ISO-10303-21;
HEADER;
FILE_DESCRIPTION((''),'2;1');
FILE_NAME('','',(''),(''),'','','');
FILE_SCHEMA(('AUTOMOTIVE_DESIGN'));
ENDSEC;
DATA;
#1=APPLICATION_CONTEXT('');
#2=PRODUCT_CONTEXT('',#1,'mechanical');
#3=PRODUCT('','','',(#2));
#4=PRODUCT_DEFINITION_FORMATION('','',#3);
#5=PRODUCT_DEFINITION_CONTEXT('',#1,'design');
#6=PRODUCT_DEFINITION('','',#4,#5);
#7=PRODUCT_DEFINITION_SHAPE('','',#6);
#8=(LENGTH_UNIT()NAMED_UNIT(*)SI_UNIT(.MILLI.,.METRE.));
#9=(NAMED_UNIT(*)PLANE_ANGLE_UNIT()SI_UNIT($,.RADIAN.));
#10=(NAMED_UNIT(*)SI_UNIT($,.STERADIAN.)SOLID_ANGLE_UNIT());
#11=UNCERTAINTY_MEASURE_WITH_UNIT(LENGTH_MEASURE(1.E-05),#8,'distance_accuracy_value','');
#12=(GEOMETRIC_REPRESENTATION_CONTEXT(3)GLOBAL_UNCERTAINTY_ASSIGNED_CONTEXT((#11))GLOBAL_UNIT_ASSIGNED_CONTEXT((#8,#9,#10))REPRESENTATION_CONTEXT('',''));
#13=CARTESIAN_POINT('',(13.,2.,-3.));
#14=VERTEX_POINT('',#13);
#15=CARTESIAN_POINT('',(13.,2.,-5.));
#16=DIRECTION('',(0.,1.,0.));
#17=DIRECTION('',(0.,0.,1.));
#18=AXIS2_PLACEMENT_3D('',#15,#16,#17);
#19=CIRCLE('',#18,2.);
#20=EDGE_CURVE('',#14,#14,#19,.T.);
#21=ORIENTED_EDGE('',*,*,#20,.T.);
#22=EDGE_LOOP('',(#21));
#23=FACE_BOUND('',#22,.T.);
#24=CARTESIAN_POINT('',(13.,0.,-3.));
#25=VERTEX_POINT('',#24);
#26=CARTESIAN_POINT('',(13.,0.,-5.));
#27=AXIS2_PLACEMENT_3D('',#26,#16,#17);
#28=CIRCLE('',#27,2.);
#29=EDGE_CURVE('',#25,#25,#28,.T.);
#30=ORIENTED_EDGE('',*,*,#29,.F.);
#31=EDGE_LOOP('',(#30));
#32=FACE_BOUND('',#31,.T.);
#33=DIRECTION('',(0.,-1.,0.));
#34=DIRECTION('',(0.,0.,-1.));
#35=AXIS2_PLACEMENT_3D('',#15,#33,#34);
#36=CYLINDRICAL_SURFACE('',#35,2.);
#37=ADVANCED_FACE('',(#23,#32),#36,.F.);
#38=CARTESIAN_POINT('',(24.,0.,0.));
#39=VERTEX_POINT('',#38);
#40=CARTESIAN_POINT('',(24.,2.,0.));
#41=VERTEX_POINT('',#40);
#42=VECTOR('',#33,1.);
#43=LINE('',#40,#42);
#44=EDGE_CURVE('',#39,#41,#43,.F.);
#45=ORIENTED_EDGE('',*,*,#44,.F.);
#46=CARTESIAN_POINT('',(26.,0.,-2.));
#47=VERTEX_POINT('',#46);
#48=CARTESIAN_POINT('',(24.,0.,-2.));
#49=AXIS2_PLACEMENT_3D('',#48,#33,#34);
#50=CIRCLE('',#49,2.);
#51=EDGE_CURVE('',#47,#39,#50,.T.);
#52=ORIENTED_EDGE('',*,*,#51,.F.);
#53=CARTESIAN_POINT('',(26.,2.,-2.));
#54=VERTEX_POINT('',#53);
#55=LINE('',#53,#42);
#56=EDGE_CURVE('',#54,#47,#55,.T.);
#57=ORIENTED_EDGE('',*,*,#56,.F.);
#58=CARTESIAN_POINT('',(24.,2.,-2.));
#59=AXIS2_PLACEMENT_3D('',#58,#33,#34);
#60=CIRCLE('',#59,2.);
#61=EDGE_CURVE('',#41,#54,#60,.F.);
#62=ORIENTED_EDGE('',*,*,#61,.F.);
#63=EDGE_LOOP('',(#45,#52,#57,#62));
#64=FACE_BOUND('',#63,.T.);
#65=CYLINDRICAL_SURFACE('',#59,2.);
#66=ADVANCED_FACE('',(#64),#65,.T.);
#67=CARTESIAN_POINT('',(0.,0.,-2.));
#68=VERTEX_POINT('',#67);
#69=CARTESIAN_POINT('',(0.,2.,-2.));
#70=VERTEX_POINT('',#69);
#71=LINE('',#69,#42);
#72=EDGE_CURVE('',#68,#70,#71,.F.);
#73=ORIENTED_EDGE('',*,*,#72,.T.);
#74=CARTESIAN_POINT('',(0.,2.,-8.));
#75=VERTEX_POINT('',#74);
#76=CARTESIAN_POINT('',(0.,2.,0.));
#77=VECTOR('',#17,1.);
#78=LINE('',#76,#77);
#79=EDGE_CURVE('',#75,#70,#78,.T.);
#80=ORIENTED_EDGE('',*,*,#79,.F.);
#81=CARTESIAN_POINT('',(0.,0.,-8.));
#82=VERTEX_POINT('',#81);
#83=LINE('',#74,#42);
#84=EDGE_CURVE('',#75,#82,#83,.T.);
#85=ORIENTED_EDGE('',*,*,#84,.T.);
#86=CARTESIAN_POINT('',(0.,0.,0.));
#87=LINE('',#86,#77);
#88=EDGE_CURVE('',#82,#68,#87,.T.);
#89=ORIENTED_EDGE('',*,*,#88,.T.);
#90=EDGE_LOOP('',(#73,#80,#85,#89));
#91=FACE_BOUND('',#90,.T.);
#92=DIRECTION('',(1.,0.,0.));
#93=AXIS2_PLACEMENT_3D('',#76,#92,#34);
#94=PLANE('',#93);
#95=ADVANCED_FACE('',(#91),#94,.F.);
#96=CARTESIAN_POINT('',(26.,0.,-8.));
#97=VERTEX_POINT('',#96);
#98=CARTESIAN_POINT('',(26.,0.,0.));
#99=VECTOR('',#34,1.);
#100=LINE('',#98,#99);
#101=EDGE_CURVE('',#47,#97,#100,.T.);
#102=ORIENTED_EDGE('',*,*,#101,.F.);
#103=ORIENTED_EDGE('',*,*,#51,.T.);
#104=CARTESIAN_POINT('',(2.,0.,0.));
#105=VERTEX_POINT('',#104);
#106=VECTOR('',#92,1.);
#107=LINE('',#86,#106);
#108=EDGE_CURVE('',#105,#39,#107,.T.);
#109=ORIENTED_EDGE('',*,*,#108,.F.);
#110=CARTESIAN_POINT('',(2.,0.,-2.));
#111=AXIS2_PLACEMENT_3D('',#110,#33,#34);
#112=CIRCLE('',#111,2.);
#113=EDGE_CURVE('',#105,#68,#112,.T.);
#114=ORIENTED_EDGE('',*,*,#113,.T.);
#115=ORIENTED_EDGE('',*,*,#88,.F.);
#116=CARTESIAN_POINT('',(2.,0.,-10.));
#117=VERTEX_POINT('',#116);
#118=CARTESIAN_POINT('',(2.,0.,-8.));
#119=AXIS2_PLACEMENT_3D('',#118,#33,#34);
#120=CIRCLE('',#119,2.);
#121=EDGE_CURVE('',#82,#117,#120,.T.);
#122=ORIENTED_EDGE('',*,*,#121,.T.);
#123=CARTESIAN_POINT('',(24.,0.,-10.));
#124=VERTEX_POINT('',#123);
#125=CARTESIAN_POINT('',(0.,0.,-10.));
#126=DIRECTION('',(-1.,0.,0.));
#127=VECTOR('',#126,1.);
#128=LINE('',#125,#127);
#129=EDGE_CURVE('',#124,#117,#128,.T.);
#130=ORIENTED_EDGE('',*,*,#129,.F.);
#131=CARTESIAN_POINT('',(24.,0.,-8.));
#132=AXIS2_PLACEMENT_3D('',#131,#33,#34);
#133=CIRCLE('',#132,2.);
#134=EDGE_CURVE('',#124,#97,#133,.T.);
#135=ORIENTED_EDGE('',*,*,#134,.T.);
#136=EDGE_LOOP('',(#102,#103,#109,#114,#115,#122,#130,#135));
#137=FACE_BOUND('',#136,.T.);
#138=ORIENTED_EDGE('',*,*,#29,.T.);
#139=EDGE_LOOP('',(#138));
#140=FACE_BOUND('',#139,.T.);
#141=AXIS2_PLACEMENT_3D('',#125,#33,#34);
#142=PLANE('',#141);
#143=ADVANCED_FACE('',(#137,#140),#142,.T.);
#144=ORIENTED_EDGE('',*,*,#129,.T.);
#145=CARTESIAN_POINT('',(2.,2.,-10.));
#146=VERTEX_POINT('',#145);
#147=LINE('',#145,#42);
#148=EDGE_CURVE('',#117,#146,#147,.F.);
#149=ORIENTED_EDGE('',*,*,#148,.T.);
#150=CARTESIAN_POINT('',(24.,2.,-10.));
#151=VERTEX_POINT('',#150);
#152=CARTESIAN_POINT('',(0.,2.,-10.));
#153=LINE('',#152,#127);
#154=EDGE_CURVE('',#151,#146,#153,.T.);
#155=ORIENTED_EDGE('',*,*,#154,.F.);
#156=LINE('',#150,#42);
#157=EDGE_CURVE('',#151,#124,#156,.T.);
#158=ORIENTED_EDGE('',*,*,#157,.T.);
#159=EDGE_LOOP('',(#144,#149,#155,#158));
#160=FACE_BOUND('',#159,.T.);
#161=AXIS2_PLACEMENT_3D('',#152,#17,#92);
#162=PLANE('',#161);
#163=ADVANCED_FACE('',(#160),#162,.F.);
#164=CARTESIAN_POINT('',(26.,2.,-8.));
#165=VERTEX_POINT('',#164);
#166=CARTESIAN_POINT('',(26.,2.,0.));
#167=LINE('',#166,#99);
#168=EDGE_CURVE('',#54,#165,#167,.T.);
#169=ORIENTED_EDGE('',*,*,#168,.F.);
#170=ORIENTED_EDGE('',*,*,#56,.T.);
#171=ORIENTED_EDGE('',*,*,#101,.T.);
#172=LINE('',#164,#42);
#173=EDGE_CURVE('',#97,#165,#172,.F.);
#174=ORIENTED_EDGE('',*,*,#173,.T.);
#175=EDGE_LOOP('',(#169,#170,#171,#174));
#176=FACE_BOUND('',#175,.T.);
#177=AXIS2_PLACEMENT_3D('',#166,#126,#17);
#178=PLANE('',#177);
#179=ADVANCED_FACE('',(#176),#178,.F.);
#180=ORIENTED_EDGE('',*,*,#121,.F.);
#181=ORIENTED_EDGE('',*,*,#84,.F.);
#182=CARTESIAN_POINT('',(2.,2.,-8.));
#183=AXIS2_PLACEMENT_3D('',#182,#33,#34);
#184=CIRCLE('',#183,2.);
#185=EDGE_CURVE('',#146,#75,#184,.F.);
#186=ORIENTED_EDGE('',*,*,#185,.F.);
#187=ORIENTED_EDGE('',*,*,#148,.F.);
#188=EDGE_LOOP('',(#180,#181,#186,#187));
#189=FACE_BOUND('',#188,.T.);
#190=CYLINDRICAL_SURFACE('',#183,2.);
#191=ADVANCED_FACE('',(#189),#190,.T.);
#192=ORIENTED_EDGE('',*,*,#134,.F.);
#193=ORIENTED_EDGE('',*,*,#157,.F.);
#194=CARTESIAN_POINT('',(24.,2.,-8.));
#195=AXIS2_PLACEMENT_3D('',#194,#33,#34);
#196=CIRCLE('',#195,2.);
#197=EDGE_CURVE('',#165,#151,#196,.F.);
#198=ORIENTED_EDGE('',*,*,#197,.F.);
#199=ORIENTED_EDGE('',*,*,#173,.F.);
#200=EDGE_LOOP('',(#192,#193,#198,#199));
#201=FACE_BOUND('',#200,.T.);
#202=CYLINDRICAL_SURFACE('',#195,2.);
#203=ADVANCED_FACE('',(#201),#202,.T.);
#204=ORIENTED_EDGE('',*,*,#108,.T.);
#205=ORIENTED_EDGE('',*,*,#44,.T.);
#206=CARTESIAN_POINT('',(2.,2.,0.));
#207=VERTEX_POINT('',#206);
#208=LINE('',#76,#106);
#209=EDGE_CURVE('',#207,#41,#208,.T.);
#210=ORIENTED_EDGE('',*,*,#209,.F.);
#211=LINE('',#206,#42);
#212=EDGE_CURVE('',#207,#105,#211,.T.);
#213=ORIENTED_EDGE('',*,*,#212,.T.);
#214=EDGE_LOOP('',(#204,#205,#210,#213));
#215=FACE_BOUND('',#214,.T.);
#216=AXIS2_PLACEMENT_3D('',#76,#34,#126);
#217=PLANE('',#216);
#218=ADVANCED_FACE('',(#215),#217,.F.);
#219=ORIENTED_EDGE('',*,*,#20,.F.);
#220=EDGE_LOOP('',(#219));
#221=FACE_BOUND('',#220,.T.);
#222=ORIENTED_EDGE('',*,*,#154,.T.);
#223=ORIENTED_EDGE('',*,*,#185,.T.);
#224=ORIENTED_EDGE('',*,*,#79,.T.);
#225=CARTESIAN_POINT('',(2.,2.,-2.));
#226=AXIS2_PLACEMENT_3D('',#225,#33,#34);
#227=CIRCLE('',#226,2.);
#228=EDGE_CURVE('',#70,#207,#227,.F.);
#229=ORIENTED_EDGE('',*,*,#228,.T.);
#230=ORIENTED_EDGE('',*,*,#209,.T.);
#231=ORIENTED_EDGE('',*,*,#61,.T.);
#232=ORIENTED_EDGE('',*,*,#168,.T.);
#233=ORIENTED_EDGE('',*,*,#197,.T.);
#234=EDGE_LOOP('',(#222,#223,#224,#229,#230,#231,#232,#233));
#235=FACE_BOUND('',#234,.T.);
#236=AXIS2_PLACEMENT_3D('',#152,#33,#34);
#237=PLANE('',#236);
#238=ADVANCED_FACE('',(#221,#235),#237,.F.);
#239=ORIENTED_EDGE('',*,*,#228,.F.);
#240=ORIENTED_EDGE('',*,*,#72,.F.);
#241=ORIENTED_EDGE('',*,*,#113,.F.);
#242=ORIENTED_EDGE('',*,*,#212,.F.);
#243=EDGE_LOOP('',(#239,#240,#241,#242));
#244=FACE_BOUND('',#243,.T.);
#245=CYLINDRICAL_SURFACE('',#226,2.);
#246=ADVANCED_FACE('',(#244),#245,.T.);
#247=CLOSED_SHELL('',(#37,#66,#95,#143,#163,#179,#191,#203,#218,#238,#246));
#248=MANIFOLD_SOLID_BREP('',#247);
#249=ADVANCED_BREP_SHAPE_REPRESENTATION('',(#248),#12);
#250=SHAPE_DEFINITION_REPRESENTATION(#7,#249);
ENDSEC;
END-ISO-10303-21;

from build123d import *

# Parameters (mm, degrees)
SKETCH1_W           = 26
SKETCH1_H           = 10
SKETCH1_R           = 2
BOSS_EXTRUDE1_DEPTH = 2
FILLET1_R           = 2


with BuildPart() as part:
    # Sketch1 → Boss-Extrude1 (new body)
    with BuildSketch(Plane(origin=(0, 0, 0), x_dir=(1, 0, 0), z_dir=(0, 1, 0))):
        with Locations((13, 5)):
            Rectangle(SKETCH1_W, SKETCH1_H)
        with Locations(Location((13, 5, 0), (0, 0, 270))):
            Circle(SKETCH1_R, mode=Mode.SUBTRACT)
    extrude(amount=BOSS_EXTRUDE1_DEPTH)

    # Fillet1
    fillet1_edges = [part.edges().sort_by_distance(p)[0] for p in [
        (0, 1, -10),
        (26, 1, -10),
        (26, 1, 0),
        (0, 1, 0),
    ]]
    fillet(fillet1_edges, radius=FILLET1_R)


solid = part.part
